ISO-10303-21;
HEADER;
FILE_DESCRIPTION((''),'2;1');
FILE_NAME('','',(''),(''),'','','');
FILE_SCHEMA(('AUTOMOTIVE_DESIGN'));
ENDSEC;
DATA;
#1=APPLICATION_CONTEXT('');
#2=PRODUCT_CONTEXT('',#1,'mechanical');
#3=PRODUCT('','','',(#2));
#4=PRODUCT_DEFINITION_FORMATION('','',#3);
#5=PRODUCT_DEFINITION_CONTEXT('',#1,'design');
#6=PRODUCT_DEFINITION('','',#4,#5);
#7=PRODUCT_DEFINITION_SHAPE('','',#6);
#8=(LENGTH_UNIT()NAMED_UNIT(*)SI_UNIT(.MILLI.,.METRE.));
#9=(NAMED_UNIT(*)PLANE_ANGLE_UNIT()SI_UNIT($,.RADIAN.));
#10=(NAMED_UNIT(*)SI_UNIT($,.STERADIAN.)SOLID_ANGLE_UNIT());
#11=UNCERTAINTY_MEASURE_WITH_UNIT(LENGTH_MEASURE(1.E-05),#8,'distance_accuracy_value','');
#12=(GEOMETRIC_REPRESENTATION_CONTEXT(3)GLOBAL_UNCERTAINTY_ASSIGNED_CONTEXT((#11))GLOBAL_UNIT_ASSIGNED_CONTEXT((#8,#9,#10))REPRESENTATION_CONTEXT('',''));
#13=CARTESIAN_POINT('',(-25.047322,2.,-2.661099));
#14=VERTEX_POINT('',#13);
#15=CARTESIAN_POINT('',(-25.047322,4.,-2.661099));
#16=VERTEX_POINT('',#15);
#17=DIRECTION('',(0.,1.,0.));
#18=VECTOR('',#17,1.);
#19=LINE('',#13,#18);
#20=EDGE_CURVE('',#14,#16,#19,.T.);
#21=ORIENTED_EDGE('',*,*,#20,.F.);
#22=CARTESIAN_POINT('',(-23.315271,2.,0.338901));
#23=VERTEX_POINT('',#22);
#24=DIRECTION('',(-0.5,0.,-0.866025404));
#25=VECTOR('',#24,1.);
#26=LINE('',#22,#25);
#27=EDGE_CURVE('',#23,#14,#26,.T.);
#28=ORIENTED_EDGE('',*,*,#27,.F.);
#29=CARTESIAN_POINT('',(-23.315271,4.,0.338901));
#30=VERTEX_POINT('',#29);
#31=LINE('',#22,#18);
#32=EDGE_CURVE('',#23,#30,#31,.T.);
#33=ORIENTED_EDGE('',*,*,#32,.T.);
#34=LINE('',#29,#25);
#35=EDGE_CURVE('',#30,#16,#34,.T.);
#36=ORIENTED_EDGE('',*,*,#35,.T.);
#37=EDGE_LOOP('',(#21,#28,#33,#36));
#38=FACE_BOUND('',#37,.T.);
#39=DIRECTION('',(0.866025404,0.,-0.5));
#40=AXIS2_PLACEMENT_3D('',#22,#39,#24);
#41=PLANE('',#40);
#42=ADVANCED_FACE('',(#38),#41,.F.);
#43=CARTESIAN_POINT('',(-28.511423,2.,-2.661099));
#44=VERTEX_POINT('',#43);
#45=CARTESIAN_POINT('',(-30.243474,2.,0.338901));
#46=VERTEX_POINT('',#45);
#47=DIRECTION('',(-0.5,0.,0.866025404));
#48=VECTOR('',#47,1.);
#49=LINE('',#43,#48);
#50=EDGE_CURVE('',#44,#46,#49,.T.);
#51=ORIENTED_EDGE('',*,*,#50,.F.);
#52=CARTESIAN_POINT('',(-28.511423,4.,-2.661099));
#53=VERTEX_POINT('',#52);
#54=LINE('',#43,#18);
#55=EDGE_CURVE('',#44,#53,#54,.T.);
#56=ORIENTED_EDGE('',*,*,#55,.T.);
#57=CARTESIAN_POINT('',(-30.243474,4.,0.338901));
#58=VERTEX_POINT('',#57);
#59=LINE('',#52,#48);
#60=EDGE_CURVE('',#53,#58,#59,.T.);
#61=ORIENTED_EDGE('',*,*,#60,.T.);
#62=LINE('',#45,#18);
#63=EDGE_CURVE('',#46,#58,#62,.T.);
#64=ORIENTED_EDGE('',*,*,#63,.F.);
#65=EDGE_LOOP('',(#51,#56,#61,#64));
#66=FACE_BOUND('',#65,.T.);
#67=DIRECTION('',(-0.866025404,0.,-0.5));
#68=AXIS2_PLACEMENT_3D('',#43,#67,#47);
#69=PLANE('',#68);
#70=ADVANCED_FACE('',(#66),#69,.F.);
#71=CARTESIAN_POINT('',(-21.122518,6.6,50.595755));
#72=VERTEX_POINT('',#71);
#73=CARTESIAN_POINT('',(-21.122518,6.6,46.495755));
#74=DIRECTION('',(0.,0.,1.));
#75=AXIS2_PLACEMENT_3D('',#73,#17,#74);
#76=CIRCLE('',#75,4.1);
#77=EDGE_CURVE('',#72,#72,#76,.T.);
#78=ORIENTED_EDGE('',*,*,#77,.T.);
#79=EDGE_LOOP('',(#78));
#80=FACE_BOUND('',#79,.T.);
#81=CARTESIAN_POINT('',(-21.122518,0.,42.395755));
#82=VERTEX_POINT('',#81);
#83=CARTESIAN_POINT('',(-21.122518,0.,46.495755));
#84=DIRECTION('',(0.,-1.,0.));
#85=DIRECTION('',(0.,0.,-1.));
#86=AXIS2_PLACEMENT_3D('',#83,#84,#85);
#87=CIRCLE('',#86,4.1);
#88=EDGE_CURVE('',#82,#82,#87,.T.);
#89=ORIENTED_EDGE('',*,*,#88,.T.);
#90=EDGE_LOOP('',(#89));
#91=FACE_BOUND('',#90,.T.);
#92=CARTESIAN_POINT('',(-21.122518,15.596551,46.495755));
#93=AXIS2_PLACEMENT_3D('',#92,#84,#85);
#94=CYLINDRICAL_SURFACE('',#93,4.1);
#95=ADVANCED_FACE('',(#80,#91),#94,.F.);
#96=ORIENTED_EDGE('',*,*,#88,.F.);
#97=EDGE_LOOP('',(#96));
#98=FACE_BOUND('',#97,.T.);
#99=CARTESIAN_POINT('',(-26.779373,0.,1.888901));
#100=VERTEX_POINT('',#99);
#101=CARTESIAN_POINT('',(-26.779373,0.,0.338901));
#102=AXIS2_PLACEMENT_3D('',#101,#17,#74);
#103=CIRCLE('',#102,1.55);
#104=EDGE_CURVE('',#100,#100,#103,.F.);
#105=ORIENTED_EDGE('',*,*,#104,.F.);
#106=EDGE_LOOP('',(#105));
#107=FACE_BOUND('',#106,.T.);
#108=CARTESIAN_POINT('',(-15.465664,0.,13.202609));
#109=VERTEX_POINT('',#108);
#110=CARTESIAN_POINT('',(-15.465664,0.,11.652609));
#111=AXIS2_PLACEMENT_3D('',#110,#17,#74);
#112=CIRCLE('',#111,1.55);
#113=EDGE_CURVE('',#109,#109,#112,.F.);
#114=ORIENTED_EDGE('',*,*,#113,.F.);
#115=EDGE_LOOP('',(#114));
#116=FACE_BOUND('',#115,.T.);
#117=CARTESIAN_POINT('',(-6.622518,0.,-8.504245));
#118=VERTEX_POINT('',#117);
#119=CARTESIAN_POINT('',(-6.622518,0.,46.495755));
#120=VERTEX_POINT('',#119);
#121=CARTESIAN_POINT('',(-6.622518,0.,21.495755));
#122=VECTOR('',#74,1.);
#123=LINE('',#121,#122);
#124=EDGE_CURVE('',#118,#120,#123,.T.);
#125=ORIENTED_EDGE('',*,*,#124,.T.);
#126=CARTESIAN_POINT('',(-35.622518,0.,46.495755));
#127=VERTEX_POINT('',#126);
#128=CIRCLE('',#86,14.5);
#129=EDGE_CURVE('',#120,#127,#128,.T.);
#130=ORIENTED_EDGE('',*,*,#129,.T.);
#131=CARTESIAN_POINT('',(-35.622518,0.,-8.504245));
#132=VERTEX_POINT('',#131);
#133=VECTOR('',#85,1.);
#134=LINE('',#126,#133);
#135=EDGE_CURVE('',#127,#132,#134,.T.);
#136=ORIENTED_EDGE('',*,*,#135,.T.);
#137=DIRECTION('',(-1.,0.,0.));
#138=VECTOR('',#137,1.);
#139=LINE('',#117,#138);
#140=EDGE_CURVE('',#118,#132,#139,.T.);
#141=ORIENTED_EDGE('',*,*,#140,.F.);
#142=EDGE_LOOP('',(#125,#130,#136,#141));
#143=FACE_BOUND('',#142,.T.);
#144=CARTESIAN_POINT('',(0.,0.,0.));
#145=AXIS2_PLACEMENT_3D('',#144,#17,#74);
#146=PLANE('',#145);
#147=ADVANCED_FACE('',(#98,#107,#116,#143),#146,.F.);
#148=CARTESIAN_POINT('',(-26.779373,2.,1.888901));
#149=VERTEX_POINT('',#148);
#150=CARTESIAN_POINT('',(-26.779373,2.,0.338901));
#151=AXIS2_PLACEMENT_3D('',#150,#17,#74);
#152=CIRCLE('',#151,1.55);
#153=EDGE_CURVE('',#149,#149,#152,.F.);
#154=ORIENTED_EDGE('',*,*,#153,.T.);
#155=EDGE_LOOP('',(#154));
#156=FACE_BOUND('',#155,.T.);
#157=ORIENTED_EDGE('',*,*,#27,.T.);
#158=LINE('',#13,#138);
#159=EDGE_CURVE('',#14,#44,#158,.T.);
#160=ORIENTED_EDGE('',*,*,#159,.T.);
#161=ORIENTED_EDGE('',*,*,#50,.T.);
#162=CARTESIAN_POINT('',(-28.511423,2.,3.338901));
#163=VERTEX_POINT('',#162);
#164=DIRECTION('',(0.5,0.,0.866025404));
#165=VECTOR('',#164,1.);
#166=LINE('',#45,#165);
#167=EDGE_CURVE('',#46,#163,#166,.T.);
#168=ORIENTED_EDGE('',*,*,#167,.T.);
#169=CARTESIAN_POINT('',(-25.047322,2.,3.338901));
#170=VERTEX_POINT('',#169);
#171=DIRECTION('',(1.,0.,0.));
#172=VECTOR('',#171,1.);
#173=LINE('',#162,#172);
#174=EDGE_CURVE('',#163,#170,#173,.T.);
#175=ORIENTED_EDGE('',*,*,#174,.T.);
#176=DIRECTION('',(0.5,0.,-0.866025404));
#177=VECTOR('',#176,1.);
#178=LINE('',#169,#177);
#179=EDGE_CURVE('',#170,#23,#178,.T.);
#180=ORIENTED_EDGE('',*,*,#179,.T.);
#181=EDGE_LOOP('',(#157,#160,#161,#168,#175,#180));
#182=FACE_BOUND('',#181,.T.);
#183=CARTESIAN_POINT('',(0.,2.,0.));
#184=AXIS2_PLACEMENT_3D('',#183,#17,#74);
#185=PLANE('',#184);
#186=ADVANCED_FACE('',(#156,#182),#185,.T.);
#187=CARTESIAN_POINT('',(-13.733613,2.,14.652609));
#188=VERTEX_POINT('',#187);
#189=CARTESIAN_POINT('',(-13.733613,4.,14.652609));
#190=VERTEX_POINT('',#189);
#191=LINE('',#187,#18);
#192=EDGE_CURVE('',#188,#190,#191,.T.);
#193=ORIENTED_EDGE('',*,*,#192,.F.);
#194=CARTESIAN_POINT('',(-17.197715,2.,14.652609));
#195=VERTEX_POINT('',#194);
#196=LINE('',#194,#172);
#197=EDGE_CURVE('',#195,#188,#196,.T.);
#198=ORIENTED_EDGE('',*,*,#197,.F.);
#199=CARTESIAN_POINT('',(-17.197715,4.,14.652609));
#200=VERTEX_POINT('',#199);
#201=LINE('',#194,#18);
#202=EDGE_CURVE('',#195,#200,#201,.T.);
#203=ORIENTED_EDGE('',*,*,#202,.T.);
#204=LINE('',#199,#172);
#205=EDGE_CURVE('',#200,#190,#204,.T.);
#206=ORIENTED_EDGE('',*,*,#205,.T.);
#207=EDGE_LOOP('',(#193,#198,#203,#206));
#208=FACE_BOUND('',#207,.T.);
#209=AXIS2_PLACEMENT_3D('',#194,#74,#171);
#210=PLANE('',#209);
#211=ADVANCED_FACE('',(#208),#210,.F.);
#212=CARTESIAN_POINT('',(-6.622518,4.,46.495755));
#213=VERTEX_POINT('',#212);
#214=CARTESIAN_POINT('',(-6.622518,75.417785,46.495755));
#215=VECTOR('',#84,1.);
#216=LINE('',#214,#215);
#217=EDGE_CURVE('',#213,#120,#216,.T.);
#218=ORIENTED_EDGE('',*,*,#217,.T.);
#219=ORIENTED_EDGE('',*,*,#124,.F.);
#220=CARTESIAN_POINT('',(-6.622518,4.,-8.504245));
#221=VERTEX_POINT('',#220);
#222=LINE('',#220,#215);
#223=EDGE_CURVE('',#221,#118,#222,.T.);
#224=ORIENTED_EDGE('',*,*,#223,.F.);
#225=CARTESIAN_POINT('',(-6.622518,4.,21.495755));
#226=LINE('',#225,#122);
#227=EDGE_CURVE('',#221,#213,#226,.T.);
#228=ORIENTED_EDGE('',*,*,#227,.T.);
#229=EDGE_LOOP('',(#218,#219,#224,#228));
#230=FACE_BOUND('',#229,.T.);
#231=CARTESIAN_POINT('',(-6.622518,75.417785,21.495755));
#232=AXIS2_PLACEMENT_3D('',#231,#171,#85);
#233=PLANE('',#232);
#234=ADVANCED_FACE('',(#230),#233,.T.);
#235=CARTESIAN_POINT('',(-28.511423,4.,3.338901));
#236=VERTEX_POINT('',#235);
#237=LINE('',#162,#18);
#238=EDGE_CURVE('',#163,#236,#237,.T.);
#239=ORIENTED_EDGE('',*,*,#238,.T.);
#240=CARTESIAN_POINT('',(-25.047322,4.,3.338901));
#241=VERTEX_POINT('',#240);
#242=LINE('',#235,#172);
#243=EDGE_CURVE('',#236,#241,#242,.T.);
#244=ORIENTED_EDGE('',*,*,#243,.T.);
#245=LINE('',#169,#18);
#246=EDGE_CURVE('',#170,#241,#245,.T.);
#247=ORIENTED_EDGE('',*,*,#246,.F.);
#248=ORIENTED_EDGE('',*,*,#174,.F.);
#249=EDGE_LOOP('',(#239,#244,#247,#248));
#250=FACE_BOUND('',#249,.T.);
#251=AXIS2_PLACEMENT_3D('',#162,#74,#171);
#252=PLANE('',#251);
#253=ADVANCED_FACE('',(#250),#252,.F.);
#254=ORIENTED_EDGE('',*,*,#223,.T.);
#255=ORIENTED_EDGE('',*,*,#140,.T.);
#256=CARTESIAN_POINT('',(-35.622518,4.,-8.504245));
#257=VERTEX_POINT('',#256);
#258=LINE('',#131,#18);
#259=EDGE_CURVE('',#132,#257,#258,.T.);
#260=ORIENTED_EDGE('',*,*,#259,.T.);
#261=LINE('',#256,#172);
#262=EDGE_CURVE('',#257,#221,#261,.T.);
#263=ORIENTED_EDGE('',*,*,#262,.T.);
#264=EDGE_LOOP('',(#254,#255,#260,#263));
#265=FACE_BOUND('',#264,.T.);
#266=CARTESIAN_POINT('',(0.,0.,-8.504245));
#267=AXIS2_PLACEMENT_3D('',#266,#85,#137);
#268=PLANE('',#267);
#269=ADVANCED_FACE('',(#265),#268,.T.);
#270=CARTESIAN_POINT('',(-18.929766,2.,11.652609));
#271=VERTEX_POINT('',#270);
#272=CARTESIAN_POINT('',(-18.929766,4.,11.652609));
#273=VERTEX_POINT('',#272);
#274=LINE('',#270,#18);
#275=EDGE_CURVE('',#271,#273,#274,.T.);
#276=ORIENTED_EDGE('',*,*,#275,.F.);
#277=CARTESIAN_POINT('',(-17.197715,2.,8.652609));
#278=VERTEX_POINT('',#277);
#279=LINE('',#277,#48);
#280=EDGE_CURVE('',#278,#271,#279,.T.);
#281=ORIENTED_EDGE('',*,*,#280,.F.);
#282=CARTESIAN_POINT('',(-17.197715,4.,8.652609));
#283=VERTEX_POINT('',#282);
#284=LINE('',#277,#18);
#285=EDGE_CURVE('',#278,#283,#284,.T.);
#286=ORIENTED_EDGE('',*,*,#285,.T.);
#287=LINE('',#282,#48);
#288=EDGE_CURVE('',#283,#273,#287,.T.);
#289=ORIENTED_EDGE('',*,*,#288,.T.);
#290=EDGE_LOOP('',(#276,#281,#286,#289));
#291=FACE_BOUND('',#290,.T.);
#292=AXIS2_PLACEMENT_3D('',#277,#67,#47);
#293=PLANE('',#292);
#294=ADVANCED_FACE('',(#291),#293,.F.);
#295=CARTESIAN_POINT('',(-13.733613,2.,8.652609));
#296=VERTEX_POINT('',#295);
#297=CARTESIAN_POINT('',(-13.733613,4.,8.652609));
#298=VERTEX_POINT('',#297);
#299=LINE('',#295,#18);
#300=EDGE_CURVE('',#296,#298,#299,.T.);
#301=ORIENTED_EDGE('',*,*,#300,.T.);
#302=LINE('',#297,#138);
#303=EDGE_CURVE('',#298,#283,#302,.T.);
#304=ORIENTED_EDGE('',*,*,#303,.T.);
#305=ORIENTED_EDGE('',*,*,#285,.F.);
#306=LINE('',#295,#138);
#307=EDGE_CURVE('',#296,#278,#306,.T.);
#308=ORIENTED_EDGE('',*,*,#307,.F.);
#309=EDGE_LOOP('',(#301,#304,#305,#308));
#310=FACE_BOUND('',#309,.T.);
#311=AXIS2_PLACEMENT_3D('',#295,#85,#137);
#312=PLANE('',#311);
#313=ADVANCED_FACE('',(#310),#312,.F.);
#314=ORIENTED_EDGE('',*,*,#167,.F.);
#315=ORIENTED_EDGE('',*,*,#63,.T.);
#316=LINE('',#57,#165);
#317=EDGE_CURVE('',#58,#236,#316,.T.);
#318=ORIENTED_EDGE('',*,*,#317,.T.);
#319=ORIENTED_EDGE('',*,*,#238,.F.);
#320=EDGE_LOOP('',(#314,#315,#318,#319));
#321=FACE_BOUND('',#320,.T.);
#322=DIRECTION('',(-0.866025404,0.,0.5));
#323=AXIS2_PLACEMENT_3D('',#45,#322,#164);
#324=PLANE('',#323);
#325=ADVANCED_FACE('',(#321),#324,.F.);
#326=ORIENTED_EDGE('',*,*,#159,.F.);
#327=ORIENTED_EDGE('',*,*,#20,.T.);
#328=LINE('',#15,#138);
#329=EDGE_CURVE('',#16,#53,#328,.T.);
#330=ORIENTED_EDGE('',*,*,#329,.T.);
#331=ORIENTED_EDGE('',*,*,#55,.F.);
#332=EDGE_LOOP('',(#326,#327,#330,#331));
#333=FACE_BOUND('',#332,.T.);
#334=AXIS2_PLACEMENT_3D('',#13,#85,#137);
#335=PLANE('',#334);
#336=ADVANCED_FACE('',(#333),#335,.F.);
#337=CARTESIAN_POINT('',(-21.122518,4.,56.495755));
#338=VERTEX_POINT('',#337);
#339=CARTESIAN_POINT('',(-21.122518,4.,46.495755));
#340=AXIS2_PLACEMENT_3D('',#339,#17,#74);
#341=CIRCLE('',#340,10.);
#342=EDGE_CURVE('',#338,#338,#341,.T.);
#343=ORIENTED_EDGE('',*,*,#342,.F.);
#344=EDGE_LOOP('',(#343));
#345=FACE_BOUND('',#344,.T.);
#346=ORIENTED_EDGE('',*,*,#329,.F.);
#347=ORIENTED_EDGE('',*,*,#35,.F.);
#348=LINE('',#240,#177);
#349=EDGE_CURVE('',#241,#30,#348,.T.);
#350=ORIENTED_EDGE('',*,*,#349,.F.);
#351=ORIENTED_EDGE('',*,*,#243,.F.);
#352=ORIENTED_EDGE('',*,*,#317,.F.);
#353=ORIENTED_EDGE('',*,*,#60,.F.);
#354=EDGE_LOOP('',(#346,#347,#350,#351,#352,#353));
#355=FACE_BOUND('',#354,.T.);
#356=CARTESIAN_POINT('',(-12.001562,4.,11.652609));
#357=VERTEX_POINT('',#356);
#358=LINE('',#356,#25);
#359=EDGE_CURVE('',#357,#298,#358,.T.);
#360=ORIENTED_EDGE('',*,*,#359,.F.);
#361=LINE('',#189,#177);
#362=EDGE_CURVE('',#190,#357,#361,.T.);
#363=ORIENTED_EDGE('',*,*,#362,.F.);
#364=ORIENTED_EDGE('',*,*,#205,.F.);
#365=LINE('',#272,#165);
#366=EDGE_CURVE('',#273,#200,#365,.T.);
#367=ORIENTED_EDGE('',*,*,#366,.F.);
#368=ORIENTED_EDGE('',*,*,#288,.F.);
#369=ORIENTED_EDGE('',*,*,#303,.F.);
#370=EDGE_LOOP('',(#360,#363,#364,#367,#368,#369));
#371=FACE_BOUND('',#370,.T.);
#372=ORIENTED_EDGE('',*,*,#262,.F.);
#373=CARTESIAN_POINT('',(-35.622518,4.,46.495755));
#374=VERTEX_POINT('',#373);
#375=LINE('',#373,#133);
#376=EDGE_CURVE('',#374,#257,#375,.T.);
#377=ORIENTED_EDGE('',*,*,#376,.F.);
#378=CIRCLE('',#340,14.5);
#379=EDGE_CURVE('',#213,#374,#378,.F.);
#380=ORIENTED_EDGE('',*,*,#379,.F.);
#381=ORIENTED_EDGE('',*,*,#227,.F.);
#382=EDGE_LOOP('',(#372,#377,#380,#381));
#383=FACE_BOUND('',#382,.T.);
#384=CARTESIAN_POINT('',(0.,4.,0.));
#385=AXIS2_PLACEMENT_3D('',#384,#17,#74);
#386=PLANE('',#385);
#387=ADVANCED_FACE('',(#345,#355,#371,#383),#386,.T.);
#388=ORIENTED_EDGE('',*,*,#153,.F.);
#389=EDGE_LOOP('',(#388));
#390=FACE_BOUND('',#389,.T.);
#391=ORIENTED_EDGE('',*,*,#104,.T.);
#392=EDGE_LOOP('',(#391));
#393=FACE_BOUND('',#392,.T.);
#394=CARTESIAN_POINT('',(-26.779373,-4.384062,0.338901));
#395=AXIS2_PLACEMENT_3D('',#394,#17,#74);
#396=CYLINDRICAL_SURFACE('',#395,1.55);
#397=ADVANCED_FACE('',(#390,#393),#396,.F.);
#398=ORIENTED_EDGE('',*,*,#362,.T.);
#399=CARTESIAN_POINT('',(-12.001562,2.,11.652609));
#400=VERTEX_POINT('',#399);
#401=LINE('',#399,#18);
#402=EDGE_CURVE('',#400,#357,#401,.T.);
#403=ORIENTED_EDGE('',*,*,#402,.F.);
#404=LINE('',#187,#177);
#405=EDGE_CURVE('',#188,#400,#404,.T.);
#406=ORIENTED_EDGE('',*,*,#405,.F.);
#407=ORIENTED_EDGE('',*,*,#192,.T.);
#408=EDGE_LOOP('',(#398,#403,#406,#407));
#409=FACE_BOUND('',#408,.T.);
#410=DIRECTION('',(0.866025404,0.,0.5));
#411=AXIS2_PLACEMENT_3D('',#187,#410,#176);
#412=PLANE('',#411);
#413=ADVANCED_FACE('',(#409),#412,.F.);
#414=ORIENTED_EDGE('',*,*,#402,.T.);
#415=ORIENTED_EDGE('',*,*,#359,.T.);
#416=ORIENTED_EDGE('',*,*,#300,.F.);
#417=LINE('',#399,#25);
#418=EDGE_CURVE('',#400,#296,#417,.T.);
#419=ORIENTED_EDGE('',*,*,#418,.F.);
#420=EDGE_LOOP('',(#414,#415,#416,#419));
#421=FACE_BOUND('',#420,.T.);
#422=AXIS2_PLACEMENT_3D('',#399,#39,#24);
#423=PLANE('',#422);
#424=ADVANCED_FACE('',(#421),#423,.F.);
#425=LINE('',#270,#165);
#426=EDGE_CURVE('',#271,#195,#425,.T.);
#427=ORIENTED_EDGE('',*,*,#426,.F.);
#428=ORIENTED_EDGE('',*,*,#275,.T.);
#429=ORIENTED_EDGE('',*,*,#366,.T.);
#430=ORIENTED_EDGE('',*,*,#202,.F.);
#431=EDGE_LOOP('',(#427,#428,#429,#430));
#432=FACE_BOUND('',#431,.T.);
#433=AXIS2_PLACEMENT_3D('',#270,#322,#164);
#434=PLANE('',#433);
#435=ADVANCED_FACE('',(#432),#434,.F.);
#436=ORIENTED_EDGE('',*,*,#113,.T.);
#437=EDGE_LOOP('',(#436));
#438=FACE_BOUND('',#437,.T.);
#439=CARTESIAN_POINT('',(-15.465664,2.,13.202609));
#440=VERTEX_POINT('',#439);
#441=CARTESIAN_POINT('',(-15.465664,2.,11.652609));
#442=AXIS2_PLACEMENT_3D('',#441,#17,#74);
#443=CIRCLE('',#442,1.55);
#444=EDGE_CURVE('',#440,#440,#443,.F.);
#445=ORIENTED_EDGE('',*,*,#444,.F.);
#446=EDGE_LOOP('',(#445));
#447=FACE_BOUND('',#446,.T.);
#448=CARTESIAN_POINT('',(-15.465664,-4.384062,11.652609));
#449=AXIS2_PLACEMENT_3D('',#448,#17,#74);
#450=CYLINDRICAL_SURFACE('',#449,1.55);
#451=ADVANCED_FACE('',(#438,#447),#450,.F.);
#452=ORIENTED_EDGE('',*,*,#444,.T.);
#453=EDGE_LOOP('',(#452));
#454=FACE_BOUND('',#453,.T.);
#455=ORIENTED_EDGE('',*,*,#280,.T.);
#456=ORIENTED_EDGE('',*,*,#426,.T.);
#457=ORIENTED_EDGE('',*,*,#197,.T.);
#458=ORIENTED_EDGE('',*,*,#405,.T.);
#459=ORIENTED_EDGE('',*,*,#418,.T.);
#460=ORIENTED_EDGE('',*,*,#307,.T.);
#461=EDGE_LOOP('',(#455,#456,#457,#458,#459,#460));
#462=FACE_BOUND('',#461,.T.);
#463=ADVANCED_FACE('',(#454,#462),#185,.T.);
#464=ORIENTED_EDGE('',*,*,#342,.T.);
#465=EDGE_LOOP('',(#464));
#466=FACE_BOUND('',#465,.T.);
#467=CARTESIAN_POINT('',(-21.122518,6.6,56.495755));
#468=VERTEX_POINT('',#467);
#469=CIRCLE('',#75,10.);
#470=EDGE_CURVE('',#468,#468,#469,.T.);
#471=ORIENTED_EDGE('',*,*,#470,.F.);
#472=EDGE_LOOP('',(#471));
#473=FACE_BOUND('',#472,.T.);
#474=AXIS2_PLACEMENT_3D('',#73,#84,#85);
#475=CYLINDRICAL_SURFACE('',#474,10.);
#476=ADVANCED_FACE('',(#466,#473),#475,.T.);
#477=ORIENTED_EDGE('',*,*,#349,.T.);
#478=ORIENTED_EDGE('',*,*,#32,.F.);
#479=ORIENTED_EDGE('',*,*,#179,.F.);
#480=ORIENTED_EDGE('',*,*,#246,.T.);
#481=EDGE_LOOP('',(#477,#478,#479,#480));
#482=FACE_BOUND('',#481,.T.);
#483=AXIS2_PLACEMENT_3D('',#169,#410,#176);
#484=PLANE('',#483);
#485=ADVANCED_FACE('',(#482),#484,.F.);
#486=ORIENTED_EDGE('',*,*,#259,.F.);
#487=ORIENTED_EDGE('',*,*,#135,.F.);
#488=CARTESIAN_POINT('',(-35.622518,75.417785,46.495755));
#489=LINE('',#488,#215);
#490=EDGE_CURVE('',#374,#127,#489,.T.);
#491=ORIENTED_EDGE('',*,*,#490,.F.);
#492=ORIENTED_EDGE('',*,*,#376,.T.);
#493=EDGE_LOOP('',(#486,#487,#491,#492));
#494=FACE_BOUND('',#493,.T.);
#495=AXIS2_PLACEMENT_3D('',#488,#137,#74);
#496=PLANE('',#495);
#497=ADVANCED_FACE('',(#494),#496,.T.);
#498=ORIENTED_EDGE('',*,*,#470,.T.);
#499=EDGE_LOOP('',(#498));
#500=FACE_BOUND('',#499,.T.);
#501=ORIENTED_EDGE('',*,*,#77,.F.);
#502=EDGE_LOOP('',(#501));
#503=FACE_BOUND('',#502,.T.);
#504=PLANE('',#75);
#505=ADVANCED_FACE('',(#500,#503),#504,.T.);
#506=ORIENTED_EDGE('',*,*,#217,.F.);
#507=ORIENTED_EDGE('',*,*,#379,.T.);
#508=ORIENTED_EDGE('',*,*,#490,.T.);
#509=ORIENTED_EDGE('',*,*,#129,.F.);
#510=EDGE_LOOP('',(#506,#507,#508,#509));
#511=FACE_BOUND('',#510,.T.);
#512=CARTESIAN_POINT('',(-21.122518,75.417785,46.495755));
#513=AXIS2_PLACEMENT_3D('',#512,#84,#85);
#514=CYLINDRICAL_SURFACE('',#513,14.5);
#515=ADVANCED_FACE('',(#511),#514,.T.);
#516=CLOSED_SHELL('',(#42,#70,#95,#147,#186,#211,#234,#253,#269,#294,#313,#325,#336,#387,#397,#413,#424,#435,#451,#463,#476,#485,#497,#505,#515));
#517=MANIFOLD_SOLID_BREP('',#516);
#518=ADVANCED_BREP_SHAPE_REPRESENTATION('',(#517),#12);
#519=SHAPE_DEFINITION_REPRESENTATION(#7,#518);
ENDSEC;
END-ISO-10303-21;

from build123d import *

# Parameters (mm, degrees)
SKETCH1_W           = 50
SKETCH1_H           = 50
BOSS_EXTRUDE1_DEPTH = 4
SKETCH2_R           = 4.1
CUT_EXTRUDE1_DEPTH  = 4
SKETCH5_R           = 10
SKETCH5_R_2         = 4.1
BOSS_EXTRUDE4_DEPTH = 2.6
SKETCH6_OUTSIDE_W   = 66.204
SKETCH6_OUTSIDE_H   = 66.204
CUT_EXTRUDE3_DEPTH  = 4
SKETCH7_W           = 29
SKETCH7_H           = 4
BOSS_EXTRUDE5_DEPTH = 30
SKETCH8_R           = 1.55
CUT_EXTRUDE4_DEPTH  = 4
CUT_EXTRUDE5_DEPTH  = 2


with BuildPart() as part:
    # Sketch1 → Boss-Extrude1 (new body)
    with BuildSketch(Plane(origin=(0, 0, 0), x_dir=(1, 0, 0), z_dir=(0, 1, 0))):
        with Locations((-21.122518296, -46.495755178)):
            Rectangle(SKETCH1_W, SKETCH1_H)
    extrude(amount=BOSS_EXTRUDE1_DEPTH)

    # Sketch2 → Cut-Extrude1 (cut)
    with BuildSketch(Plane.XZ):
        with Locations(Location((-21.122518296, 46.495755178, 0), (0, 0, 270))):
            Circle(SKETCH2_R)
    extrude(amount=-CUT_EXTRUDE1_DEPTH, mode=Mode.SUBTRACT)

    # Sketch5 → Boss-Extrude4 (add)
    with BuildSketch(Plane(origin=(0, 4, 0), x_dir=(1, 0, 0), z_dir=(0, 1, 0))):
        with Locations(Location((-21.122518296, -46.495755178, 0), (0, 0, 270))):
            Circle(SKETCH5_R)
        with Locations(Location((-21.122518296, -46.495755178, 0), (0, 0, 90))):
            Circle(SKETCH5_R_2, mode=Mode.SUBTRACT)
    extrude(amount=BOSS_EXTRUDE4_DEPTH)

    # Sketch6 outside → Cut-Extrude3 (cut)
    with BuildSketch(Plane.XZ):
        with Locations((-21.123, 46.496)):
            Rectangle(SKETCH6_OUTSIDE_W, SKETCH6_OUTSIDE_H)
        with BuildLine():
            Line((-35.622518296, 46.495755178), (-35.622518296, 21.495755178))
            Line((-35.622518296, 21.495755178), (-6.622518296, 21.495755178))
            Line((-6.622518296, 21.495755178), (-6.622518296, 46.495755178))
            ThreePointArc((-6.622518296, 46.495755178), (-21.122518296, 60.995755178), (-35.622518296, 46.495755178))
        make_face(mode=Mode.SUBTRACT)
    extrude(amount=-CUT_EXTRUDE3_DEPTH, mode=Mode.SUBTRACT)

    # Sketch7 → Boss-Extrude5 (add)
    with BuildSketch(Plane(origin=(0, 0, 21.495755178), x_dir=(-1, 0, 0), z_dir=(0, 0, -1))):
        with Locations((21.122518296, 2)):
            Rectangle(SKETCH7_W, SKETCH7_H)
    extrude(amount=BOSS_EXTRUDE5_DEPTH)

    # Sketch8 → Cut-Extrude4 (cut)
    with BuildSketch(Plane(origin=(0, 4, 0), x_dir=(1, 0, 0), z_dir=(0, 1, 0))):
        with Locations(Location((-26.779372546, -0.338900928, 0), (0, 0, 270))):
            Circle(SKETCH8_R)
        with Locations(Location((-15.465664047, -11.652609427, 0), (0, 0, 270))):
            Circle(SKETCH8_R)
    extrude(amount=-CUT_EXTRUDE4_DEPTH, mode=Mode.SUBTRACT)

    # Sketch9 → Cut-Extrude5 (cut)
    with BuildSketch(Plane(origin=(0, 4, 0), x_dir=(1, 0, 0), z_dir=(0, 1, 0))):
        Polygon((-25.047321738, 2.661099072), (-28.511423353, 2.661099072), (-30.243474161, -0.338900928), (-28.511423353, -3.338900928), (-25.047321738, -3.338900928), (-23.315270931, -0.338900928), align=None)
        Polygon((-13.733613239, -8.652609427), (-17.197714854, -8.652609427), (-18.929765662, -11.652609427), (-17.197714854, -14.652609427), (-13.733613239, -14.652609427), (-12.001562432, -11.652609427), align=None)
    extrude(amount=-CUT_EXTRUDE5_DEPTH, mode=Mode.SUBTRACT)


solid = part.part
